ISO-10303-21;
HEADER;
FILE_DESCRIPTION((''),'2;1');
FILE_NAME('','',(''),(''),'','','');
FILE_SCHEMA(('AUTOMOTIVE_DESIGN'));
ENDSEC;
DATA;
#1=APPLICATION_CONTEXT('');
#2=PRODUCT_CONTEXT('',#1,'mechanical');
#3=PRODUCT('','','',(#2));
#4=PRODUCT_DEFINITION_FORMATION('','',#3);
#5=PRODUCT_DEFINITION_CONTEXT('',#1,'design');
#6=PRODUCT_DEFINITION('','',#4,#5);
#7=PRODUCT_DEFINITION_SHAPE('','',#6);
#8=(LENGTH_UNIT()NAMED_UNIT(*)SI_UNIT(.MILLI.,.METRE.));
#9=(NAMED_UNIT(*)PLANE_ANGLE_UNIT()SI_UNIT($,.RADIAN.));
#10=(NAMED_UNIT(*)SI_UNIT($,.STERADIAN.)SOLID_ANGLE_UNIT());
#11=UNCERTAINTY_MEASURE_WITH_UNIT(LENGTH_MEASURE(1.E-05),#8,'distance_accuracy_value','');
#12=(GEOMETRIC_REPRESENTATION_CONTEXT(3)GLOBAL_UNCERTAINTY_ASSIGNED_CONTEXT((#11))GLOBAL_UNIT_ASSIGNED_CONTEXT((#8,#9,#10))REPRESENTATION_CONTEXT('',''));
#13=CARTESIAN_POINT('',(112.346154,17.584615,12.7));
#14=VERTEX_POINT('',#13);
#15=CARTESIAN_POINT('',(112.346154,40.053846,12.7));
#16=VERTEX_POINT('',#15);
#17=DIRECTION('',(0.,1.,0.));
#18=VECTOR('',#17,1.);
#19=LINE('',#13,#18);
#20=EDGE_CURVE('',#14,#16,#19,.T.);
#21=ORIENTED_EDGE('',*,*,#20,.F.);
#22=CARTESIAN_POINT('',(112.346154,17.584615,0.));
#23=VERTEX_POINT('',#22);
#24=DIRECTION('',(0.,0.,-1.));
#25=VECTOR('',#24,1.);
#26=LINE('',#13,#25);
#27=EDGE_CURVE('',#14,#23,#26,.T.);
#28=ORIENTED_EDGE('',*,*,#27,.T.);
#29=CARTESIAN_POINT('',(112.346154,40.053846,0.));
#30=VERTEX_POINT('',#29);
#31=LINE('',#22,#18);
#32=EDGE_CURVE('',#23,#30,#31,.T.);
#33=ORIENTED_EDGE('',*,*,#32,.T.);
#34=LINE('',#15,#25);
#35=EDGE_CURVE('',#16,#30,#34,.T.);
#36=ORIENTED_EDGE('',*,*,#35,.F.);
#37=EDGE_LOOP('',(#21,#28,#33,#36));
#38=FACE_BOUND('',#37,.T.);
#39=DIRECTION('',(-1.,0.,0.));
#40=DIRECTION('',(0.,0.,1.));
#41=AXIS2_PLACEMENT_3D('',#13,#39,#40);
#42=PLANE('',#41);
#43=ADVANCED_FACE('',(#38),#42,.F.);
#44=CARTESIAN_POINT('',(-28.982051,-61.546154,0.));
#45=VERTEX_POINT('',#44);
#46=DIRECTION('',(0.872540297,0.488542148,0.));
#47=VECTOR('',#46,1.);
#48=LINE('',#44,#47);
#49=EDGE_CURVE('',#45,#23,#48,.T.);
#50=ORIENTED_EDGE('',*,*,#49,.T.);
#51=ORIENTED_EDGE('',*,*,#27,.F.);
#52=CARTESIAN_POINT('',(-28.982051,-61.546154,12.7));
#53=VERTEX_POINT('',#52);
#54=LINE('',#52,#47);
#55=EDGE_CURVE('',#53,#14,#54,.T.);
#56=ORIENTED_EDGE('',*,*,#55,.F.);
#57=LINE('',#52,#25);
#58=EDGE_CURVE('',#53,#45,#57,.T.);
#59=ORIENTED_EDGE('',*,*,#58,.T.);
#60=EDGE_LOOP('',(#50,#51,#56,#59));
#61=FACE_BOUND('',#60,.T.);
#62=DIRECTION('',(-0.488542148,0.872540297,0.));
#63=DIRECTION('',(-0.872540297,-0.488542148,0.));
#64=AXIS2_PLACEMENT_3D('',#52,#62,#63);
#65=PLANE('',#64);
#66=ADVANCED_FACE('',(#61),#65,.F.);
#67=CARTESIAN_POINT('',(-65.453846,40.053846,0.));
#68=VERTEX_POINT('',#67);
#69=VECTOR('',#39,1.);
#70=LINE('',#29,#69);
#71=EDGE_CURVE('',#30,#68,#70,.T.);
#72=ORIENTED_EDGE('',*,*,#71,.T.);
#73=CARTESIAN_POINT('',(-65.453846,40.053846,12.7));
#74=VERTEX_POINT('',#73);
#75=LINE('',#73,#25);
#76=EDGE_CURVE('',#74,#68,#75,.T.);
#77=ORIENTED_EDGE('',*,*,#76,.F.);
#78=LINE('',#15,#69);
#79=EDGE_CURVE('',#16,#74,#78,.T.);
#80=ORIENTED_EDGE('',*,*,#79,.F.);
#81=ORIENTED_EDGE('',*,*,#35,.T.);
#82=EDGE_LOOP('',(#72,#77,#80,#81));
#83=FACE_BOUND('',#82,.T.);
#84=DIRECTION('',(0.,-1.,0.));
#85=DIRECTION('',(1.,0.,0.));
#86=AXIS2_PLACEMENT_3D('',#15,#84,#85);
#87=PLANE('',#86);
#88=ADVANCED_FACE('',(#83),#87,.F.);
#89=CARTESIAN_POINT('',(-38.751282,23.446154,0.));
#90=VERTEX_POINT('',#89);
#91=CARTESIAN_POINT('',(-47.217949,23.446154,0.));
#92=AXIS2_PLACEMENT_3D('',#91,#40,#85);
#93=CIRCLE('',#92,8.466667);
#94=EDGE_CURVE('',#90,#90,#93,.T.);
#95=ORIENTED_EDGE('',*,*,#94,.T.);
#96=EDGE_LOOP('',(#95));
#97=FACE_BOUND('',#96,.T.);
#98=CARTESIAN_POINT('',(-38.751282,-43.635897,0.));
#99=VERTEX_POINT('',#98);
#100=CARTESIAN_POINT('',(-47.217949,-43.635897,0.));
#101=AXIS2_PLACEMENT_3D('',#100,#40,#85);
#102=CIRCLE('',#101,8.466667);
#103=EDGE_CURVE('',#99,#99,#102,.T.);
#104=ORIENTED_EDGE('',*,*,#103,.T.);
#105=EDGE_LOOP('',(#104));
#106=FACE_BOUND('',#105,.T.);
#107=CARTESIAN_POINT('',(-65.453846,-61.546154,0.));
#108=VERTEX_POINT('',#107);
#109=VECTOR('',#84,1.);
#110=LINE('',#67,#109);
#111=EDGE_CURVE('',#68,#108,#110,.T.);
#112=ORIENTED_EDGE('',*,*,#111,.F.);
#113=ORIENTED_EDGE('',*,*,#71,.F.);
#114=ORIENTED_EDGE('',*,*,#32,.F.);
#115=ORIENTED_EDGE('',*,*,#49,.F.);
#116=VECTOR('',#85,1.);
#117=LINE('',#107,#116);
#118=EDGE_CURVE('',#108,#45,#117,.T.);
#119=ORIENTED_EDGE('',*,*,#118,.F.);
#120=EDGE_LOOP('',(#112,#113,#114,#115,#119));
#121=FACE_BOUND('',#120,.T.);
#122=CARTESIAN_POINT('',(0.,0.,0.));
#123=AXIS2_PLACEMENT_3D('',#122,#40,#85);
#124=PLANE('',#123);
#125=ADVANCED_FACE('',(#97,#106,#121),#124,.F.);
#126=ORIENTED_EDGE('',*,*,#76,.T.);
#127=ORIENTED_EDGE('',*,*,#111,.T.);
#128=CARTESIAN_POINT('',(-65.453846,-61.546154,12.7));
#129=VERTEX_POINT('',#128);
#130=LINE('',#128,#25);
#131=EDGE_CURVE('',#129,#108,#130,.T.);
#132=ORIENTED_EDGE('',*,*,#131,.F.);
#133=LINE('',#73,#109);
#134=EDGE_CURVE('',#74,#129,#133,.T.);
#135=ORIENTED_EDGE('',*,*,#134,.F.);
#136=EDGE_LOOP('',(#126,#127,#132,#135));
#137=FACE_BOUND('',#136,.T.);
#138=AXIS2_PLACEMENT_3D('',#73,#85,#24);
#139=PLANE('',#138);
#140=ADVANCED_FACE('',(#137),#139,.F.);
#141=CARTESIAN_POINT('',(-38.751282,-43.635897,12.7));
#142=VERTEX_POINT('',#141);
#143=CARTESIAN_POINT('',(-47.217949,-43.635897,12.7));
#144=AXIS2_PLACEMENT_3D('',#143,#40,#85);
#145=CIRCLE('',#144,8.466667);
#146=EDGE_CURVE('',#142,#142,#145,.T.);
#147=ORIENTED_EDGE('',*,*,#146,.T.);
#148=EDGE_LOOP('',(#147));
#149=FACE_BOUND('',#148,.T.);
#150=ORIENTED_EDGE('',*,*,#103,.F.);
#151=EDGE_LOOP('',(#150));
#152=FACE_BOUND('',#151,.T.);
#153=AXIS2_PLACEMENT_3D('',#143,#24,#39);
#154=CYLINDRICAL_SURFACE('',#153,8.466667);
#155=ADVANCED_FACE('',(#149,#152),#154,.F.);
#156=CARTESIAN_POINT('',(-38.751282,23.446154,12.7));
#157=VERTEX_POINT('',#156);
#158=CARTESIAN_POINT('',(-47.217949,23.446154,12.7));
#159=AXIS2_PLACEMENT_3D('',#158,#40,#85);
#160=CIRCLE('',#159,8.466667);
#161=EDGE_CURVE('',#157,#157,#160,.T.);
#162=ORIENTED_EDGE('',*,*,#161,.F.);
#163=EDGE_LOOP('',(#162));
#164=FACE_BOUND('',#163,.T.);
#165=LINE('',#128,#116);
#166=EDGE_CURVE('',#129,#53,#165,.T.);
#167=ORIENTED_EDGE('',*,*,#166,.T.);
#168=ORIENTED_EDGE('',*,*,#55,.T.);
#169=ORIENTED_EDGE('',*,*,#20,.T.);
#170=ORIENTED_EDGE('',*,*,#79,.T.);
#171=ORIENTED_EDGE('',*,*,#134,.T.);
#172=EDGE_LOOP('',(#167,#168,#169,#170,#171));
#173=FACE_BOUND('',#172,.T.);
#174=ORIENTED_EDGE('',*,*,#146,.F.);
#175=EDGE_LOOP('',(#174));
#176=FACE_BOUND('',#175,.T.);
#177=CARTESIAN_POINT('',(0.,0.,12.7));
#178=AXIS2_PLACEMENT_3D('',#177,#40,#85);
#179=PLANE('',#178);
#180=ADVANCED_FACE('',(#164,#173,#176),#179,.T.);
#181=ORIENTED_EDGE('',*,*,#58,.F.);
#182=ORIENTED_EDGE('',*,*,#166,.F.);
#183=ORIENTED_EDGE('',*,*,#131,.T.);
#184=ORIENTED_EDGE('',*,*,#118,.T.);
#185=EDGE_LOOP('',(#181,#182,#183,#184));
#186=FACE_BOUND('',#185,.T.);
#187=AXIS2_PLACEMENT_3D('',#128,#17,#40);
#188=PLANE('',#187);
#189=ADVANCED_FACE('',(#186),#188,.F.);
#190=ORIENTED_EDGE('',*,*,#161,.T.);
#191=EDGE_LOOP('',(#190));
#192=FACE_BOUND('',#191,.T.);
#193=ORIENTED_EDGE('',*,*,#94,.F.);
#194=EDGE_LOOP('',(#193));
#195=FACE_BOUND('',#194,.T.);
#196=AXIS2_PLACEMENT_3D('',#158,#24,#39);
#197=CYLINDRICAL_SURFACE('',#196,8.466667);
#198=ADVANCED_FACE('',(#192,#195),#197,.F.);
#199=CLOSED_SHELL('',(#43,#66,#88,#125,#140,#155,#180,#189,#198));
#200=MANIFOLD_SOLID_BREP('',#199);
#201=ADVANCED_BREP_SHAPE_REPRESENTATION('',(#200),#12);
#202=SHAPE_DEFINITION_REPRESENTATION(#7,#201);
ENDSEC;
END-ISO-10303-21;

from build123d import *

# Parameters (mm, degrees)
SKETCH1_R           = 8.466666667
BOSS_EXTRUDE1_DEPTH = 12.7


with BuildPart() as part:
    # Sketch1 → Boss-Extrude1 (new body)
    with BuildSketch(Plane.XY):
        Polygon((-65.453846154, 40.053846154), (-65.453846154, -61.546153846), (-28.982051282, -61.546153846), (112.346153846, 17.584615385), (112.346153846, 40.053846154), align=None)
        with Locations((-47.217948718, 23.446153846)):
            Circle(SKETCH1_R, mode=Mode.SUBTRACT)
        with Locations((-47.217948718, -43.635897436)):
            Circle(SKETCH1_R, mode=Mode.SUBTRACT)
    extrude(amount=BOSS_EXTRUDE1_DEPTH)


solid = part.part
